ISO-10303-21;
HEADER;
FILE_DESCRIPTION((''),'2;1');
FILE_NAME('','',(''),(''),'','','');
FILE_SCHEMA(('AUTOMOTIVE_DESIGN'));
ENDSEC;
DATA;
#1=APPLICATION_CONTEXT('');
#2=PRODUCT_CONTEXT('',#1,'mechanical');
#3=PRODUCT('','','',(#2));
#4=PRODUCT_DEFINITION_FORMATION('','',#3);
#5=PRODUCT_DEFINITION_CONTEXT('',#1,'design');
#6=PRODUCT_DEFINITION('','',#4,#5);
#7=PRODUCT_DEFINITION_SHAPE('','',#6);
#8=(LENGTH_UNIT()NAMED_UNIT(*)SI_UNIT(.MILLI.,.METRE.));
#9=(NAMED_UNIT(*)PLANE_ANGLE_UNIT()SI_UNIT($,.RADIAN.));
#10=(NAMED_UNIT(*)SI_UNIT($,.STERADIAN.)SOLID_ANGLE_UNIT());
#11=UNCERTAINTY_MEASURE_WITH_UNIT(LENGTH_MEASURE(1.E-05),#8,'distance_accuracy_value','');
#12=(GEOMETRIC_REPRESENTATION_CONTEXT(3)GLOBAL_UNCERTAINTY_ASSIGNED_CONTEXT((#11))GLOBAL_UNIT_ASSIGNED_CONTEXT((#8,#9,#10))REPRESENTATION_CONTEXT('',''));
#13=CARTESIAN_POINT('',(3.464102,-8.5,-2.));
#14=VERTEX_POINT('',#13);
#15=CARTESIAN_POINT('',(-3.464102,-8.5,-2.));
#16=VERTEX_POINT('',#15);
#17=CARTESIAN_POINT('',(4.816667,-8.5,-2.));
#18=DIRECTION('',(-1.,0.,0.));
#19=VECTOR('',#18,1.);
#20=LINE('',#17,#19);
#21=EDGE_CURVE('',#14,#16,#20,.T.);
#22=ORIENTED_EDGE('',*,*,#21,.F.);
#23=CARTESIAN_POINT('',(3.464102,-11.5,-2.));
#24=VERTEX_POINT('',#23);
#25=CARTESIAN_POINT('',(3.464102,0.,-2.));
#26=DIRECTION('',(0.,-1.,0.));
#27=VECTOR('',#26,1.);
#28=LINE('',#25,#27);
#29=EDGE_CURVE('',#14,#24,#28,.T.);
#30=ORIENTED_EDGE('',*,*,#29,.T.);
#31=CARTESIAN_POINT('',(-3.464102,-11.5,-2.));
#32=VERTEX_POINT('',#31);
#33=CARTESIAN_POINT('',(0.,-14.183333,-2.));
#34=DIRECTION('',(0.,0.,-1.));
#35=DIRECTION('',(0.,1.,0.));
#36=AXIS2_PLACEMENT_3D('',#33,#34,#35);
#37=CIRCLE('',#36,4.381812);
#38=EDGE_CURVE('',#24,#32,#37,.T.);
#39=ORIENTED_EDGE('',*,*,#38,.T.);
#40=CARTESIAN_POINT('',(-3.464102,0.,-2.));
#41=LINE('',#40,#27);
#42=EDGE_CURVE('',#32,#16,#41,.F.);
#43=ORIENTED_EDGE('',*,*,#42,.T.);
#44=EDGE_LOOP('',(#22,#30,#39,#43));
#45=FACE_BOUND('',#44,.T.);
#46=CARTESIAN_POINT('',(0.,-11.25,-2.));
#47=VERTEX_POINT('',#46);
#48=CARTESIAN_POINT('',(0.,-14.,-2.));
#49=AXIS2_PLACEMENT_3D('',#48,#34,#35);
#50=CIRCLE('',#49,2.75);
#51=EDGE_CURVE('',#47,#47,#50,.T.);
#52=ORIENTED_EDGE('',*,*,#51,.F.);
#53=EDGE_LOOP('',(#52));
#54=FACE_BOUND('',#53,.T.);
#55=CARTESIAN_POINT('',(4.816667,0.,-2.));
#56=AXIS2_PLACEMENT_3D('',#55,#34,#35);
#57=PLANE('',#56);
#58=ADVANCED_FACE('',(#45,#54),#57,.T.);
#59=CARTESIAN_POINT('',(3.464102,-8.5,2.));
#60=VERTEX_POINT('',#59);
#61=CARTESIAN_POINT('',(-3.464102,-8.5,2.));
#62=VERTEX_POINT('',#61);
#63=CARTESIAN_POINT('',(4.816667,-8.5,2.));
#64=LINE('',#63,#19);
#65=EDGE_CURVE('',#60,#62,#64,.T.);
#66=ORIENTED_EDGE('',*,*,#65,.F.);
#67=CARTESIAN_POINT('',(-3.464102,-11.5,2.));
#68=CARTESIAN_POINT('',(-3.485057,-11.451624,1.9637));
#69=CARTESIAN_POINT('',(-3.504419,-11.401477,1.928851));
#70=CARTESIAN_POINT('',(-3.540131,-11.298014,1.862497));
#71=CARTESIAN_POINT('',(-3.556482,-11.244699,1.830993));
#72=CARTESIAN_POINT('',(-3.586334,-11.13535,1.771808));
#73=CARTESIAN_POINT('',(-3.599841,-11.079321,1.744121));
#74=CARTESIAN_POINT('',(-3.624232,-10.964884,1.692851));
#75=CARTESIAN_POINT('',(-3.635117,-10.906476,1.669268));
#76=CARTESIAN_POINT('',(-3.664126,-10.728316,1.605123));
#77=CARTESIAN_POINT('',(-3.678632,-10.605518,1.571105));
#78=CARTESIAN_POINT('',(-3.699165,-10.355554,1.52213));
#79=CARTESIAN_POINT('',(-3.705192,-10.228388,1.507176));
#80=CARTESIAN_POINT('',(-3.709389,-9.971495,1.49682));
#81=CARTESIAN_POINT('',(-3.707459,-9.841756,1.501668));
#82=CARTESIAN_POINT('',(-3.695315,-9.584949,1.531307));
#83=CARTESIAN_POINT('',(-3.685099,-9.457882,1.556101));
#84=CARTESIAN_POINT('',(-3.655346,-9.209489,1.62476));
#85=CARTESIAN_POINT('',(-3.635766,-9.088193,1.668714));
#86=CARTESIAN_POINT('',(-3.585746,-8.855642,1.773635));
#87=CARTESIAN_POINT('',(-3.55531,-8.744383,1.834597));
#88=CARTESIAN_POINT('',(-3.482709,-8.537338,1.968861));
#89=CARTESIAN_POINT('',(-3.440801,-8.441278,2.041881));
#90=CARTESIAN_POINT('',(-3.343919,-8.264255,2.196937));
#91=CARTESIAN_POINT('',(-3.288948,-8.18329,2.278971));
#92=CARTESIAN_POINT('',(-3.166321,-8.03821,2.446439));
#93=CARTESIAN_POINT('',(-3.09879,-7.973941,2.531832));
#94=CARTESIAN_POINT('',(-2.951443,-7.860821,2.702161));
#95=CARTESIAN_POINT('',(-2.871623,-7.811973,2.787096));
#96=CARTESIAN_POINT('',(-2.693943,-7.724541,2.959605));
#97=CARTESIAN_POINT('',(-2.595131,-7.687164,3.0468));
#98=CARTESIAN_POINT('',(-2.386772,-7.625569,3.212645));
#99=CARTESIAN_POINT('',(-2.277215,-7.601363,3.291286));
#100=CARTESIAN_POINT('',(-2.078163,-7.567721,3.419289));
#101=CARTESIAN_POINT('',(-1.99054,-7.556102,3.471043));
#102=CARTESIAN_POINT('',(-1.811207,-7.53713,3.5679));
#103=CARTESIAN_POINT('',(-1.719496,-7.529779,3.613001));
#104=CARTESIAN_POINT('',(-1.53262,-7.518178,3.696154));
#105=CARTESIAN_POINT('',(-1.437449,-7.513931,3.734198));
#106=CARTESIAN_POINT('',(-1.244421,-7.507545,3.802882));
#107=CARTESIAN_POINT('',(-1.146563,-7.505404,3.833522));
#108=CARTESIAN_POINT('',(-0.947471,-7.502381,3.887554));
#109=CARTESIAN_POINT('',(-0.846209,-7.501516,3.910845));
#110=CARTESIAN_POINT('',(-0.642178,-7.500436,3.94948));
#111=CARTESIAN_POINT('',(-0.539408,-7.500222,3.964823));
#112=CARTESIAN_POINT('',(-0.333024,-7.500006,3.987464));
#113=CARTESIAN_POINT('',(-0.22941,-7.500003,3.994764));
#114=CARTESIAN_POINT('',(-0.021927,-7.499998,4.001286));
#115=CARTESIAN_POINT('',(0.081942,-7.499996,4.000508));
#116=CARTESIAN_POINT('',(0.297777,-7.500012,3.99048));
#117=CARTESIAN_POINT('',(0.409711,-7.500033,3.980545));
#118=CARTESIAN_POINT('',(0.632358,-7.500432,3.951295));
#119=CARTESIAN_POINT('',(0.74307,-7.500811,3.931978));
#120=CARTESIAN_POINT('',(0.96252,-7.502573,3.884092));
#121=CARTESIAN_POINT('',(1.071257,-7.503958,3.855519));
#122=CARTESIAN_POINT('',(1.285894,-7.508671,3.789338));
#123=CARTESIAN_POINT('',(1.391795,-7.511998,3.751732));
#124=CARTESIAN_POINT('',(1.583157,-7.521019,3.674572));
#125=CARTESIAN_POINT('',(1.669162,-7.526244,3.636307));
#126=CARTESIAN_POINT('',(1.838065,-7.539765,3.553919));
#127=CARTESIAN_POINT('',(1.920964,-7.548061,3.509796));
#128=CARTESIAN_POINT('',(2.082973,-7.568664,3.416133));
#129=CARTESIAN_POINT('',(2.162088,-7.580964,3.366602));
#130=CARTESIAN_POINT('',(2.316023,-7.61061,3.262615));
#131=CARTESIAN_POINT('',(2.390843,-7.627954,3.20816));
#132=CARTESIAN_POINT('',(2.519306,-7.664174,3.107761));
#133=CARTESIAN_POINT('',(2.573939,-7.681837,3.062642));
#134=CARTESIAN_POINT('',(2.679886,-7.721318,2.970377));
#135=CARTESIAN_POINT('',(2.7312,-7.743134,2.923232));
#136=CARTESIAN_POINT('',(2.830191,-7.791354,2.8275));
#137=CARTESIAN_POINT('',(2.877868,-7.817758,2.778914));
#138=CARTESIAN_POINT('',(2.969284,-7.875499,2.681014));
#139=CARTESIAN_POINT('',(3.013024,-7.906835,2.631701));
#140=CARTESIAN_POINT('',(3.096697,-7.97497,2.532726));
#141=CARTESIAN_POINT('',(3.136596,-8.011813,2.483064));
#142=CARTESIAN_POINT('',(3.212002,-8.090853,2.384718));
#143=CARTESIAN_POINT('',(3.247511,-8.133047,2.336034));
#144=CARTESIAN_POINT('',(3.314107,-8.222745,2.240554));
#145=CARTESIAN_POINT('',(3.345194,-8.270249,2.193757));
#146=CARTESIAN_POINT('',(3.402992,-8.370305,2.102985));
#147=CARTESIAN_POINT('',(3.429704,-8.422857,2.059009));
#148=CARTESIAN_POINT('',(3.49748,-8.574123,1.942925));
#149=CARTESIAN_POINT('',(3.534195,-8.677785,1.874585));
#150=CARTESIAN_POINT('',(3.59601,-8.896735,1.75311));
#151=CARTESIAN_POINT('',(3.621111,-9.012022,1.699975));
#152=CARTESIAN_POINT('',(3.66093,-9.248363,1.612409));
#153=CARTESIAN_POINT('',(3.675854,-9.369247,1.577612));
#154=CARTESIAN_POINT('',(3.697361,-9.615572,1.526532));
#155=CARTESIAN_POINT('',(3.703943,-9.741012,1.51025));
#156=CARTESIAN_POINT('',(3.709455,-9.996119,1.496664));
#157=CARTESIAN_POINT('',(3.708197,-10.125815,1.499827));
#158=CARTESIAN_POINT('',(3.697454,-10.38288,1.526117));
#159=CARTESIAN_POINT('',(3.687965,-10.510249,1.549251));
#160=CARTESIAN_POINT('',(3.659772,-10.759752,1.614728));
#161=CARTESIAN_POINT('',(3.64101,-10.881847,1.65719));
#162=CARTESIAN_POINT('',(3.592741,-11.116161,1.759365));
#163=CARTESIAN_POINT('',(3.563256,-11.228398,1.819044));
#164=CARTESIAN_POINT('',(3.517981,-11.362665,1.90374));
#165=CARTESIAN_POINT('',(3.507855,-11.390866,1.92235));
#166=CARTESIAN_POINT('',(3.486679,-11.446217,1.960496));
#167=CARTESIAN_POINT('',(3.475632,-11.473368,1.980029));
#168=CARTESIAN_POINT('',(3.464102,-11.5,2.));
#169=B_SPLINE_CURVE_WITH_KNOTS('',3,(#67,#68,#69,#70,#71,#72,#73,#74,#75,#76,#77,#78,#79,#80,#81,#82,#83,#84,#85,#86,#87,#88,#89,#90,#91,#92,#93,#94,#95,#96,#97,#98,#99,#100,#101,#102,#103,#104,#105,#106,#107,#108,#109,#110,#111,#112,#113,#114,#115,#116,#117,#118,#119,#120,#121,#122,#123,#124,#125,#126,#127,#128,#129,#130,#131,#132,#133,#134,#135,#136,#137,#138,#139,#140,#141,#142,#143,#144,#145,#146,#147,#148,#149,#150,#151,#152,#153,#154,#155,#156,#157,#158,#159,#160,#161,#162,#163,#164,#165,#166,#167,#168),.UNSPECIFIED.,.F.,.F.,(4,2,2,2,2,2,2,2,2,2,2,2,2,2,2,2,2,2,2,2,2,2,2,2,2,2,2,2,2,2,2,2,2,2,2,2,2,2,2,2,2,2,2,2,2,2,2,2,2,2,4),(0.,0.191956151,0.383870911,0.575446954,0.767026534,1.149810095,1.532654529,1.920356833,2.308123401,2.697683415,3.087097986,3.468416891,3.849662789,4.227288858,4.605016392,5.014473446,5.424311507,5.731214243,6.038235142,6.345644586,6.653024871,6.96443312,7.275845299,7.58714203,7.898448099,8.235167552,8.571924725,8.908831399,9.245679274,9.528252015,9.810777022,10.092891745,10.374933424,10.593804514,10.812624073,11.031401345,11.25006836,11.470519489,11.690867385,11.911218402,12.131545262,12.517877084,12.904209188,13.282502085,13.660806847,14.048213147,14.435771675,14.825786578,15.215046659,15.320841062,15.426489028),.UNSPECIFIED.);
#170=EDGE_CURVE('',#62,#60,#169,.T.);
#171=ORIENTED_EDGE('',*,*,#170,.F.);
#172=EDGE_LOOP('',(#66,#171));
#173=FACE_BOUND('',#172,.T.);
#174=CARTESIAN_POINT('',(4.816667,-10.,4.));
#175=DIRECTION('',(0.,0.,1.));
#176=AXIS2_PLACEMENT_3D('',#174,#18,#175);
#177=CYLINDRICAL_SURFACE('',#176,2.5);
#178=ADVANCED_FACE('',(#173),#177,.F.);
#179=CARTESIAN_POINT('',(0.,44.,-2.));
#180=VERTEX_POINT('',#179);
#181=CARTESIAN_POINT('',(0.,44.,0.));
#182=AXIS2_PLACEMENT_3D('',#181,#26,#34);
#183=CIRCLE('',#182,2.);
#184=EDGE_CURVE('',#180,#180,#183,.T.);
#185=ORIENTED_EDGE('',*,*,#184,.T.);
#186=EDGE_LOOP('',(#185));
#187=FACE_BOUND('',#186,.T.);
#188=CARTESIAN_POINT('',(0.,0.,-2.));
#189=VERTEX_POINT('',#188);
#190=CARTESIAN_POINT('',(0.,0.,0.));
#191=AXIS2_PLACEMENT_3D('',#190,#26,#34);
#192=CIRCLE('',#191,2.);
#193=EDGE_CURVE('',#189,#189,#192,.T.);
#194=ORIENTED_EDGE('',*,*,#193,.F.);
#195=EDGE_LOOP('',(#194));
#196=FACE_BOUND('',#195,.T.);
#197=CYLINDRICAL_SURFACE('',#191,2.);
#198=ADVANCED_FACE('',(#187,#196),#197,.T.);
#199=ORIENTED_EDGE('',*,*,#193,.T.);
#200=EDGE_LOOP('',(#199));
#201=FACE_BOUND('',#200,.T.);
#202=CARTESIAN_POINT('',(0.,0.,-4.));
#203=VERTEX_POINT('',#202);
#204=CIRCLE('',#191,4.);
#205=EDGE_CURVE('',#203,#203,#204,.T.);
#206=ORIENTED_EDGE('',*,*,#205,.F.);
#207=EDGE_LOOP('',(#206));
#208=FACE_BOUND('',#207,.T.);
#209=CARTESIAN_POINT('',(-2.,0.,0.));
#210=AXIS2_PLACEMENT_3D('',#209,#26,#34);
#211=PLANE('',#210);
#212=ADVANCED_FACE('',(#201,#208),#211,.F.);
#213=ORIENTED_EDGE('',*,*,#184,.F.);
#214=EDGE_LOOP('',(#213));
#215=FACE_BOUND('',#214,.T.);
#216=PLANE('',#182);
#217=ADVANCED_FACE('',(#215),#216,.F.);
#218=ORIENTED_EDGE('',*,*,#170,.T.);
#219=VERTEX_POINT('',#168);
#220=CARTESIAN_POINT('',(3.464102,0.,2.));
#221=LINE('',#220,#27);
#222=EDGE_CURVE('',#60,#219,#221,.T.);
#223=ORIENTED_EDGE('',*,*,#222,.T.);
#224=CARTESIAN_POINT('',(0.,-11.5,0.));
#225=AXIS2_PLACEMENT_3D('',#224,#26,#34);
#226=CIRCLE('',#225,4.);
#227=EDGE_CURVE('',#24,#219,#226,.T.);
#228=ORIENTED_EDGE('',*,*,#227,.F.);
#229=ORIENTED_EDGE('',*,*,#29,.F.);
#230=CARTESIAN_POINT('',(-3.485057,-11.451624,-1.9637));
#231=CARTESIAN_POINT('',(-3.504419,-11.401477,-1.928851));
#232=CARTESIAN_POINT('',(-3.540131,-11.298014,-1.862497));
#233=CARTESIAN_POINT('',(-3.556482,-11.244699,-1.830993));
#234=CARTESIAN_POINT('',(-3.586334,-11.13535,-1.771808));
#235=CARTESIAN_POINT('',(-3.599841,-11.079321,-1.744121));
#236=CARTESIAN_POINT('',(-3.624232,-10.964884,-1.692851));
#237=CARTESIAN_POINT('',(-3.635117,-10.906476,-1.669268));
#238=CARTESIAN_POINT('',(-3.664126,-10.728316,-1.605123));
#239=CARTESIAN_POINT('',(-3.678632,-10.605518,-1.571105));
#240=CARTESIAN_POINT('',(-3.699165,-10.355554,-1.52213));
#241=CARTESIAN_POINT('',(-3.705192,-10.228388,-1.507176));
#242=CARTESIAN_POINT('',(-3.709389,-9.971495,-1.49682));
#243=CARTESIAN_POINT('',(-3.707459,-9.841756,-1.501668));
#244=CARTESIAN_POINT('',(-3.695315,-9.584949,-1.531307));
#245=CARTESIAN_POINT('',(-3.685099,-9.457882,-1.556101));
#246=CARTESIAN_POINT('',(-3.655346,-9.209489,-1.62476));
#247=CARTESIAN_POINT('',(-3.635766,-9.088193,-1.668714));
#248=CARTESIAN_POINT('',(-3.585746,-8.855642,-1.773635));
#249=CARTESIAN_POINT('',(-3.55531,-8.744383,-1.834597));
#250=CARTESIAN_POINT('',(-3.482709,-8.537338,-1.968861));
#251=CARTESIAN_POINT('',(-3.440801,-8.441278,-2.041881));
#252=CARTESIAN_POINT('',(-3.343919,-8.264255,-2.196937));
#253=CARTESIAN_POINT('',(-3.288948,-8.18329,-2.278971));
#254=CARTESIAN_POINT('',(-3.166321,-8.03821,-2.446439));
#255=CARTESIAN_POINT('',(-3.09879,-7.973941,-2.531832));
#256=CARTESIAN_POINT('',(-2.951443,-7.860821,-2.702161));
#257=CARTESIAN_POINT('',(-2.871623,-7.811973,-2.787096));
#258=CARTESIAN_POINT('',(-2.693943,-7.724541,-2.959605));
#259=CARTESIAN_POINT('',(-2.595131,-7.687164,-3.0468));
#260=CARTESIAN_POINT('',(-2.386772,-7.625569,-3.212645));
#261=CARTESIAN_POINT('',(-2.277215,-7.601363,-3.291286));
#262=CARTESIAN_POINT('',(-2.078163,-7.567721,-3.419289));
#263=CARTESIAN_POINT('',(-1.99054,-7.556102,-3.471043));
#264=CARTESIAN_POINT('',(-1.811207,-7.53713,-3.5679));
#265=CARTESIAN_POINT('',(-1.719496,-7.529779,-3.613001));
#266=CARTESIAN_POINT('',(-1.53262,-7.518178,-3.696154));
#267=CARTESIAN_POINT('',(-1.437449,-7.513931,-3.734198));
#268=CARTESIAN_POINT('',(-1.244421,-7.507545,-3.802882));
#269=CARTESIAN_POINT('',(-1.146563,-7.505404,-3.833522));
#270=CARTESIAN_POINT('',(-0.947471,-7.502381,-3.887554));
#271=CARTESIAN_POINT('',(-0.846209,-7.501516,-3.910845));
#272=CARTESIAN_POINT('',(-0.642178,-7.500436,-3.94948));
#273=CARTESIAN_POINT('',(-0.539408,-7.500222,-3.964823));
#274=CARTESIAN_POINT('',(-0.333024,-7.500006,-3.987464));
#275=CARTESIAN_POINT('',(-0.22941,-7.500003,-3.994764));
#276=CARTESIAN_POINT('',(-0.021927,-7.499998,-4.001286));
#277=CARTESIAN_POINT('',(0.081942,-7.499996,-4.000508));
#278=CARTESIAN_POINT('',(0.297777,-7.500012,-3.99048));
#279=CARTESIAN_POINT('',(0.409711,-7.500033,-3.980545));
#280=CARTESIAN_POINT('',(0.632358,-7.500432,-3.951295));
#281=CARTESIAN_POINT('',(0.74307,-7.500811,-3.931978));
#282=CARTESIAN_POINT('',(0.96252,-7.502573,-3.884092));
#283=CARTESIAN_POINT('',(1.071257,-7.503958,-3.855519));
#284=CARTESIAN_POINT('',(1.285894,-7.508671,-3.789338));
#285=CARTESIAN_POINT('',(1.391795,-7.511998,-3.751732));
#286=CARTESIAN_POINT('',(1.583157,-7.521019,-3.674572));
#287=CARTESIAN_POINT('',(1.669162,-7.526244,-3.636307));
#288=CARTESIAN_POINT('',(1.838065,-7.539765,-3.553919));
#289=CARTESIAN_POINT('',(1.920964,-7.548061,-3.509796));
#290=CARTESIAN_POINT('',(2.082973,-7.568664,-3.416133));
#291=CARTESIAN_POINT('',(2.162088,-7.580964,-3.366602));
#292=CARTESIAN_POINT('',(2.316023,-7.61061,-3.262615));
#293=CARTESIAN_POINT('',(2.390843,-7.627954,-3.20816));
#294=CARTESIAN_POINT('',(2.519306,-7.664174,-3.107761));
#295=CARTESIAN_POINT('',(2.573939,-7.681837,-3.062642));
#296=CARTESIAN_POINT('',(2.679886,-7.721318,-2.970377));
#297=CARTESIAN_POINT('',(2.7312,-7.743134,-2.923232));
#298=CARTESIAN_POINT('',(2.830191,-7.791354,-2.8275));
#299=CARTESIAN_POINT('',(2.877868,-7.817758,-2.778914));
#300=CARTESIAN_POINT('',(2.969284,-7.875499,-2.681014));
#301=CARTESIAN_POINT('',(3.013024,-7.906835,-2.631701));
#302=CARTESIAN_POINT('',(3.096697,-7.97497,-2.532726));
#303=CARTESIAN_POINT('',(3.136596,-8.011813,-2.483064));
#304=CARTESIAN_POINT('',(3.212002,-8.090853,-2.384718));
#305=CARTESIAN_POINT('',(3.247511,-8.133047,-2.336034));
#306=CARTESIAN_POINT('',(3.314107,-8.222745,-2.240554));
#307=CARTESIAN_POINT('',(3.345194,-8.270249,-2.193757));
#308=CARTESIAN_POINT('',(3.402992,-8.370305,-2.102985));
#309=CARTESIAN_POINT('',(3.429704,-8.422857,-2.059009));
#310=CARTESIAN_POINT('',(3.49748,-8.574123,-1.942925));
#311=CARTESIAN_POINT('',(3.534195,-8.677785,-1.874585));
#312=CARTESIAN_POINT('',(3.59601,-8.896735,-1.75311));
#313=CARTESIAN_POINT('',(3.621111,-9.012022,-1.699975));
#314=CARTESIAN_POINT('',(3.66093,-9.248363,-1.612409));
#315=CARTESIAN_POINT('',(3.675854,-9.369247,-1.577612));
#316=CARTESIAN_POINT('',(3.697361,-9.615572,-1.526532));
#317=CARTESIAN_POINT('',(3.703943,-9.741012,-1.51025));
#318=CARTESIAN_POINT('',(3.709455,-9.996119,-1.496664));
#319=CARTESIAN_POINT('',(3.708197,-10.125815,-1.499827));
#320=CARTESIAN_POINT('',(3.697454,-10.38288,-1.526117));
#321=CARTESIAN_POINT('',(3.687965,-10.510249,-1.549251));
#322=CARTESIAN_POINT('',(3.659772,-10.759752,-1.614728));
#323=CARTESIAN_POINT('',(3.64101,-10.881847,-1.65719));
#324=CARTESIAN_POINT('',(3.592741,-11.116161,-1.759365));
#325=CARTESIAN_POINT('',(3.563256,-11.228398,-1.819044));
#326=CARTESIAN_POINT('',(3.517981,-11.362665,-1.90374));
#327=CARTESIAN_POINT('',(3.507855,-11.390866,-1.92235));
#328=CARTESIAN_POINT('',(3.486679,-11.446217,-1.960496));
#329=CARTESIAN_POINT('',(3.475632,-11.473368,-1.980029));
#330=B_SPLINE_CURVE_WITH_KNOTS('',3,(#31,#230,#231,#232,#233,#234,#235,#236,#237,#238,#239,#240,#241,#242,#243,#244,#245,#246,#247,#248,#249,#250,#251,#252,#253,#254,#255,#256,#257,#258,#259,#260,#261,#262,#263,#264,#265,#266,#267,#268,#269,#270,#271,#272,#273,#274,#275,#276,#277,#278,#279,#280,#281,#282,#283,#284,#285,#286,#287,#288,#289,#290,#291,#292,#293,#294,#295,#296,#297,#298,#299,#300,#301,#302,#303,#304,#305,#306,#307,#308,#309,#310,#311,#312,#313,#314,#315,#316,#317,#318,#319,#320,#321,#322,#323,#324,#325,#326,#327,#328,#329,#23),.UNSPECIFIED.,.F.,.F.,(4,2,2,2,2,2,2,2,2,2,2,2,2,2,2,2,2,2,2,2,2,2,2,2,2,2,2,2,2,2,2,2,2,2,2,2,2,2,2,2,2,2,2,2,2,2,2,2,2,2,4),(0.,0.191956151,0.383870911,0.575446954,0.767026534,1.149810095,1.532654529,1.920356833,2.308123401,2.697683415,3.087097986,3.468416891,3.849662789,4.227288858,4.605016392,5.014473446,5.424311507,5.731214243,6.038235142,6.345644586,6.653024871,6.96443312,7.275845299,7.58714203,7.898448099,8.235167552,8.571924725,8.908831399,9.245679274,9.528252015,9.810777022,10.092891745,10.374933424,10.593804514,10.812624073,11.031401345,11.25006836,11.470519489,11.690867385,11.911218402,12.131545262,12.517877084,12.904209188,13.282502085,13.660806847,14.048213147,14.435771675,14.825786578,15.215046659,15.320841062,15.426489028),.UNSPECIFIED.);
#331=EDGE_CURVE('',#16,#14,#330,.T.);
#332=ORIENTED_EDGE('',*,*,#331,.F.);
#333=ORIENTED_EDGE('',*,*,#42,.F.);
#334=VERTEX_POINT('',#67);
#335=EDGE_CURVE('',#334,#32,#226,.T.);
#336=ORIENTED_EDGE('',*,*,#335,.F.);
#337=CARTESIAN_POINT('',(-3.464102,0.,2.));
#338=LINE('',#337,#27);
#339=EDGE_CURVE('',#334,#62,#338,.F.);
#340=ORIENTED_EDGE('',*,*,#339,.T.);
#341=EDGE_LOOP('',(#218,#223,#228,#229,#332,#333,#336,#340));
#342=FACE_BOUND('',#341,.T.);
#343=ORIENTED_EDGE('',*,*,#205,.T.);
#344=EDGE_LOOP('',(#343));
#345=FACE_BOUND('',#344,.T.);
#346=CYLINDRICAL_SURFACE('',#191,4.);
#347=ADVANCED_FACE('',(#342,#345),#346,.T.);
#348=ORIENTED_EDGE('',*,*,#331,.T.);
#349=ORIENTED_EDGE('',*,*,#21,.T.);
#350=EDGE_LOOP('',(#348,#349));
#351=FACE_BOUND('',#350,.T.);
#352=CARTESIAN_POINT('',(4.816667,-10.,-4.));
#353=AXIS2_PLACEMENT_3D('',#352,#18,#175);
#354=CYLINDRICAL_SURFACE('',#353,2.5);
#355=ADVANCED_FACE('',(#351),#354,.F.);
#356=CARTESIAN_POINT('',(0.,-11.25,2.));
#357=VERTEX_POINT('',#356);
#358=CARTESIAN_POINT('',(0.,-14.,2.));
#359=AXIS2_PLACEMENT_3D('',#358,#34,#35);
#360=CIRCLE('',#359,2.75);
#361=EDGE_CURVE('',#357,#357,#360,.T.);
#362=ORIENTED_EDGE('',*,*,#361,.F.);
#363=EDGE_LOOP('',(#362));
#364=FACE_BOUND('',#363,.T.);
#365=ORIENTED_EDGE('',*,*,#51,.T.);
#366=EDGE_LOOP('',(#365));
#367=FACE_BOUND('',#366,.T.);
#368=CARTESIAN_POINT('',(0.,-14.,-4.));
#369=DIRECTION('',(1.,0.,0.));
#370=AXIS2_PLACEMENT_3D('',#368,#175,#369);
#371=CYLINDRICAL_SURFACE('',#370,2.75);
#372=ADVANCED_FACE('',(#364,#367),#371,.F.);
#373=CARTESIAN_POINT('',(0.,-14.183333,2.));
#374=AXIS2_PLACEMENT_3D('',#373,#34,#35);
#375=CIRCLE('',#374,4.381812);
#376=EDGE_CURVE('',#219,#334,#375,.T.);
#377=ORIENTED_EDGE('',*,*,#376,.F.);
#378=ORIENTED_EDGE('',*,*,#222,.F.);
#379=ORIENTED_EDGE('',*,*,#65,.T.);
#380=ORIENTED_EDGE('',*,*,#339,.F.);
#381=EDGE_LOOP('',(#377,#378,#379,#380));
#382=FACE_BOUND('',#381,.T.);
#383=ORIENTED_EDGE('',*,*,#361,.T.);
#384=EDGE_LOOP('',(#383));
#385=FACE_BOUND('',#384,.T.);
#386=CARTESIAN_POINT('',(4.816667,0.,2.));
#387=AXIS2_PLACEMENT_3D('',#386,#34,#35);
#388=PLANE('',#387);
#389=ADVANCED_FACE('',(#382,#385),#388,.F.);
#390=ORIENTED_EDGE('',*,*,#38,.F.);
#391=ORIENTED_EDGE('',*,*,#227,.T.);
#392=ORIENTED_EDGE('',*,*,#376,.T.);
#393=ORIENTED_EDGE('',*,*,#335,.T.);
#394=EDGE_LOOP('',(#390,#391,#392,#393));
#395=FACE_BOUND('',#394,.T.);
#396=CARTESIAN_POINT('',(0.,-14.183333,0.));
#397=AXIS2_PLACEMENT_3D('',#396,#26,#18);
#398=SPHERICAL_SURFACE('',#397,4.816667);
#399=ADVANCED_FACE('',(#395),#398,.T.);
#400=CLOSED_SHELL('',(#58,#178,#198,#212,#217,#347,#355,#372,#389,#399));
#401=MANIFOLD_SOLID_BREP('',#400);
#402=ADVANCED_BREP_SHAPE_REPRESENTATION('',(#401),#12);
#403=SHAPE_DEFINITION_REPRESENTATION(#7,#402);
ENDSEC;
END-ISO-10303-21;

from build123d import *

# Parameters (mm, degrees)
CUT_EXTRUDE1_DEPTH      = 5.816666667
CUT_EXTRUDE1_DEPTH_BACK = 10
SKETCH3_R               = 2.75
CUT_EXTRUDE2_DEPTH      = 3.0000001
CUT_EXTRUDE2_DEPTH_BACK = 7.0000001


with BuildPart() as part:
    # Sketch1 → Revolve1 (revolve)
    with BuildSketch(Plane.XY):
        with BuildLine():
            Line((0, 0), (0, 44))
            Line((0, 44), (-2, 44))
            Line((-2, 44), (-2, 0))
            Line((-2, 0), (-4, 0))
            Line((-4, 0), (-4, -11.5))
            ThreePointArc((-4, -11.5), (-4.25, -16.45), (0, -19))
            Line((0, -19), (0, 0))
        make_face()
    revolve(axis=Axis((0, 0, 0), (0, 1, 0)))

    # Sketch2 → Cut-Extrude1 (cut, two sides)
    with BuildSketch(Plane(origin=(0, 0, 0), x_dir=(0, 0, -1), z_dir=(1, 0, 0))) as cut_extrude1_sk:
        with BuildLine():
            ThreePointArc((-2, -8.5), (-2.881966011, -7.763932023), (-4, -7.5))
            Line((-4, -7.5), (-4, -8.077978136))
            ThreePointArc((-4, -8.077978136), (-6.041123222, -13.901532194), (-2, -18.56514549))
            Line((-2, -18.56514549), (-2, -11.5))
            Line((-2, -11.5), (-2, -8.5))
        make_face()
        with BuildLine():
            Line((4, -8.077978136), (4, -7.5))
            ThreePointArc((4, -7.5), (2.881966011, -7.763932023), (2, -8.5))
            Line((2, -8.5), (2, -11.5))
            Line((2, -11.5), (2, -18.56514549))
            ThreePointArc((2, -18.56514549), (6.041123222, -13.901532194), (4, -8.077978136))
        make_face()
    extrude(amount=CUT_EXTRUDE1_DEPTH, mode=Mode.SUBTRACT)
    extrude(cut_extrude1_sk.sketch, amount=-CUT_EXTRUDE1_DEPTH_BACK, mode=Mode.SUBTRACT)

    # Sketch3 → Cut-Extrude2 (cut, two sides)
    with BuildSketch(Plane.XY.offset(2)) as cut_extrude2_sk:
        with Locations((0, -14)):
            Circle(SKETCH3_R)
    extrude(amount=CUT_EXTRUDE2_DEPTH, mode=Mode.SUBTRACT)
    extrude(cut_extrude2_sk.sketch, amount=-CUT_EXTRUDE2_DEPTH_BACK, mode=Mode.SUBTRACT)


solid = part.part
